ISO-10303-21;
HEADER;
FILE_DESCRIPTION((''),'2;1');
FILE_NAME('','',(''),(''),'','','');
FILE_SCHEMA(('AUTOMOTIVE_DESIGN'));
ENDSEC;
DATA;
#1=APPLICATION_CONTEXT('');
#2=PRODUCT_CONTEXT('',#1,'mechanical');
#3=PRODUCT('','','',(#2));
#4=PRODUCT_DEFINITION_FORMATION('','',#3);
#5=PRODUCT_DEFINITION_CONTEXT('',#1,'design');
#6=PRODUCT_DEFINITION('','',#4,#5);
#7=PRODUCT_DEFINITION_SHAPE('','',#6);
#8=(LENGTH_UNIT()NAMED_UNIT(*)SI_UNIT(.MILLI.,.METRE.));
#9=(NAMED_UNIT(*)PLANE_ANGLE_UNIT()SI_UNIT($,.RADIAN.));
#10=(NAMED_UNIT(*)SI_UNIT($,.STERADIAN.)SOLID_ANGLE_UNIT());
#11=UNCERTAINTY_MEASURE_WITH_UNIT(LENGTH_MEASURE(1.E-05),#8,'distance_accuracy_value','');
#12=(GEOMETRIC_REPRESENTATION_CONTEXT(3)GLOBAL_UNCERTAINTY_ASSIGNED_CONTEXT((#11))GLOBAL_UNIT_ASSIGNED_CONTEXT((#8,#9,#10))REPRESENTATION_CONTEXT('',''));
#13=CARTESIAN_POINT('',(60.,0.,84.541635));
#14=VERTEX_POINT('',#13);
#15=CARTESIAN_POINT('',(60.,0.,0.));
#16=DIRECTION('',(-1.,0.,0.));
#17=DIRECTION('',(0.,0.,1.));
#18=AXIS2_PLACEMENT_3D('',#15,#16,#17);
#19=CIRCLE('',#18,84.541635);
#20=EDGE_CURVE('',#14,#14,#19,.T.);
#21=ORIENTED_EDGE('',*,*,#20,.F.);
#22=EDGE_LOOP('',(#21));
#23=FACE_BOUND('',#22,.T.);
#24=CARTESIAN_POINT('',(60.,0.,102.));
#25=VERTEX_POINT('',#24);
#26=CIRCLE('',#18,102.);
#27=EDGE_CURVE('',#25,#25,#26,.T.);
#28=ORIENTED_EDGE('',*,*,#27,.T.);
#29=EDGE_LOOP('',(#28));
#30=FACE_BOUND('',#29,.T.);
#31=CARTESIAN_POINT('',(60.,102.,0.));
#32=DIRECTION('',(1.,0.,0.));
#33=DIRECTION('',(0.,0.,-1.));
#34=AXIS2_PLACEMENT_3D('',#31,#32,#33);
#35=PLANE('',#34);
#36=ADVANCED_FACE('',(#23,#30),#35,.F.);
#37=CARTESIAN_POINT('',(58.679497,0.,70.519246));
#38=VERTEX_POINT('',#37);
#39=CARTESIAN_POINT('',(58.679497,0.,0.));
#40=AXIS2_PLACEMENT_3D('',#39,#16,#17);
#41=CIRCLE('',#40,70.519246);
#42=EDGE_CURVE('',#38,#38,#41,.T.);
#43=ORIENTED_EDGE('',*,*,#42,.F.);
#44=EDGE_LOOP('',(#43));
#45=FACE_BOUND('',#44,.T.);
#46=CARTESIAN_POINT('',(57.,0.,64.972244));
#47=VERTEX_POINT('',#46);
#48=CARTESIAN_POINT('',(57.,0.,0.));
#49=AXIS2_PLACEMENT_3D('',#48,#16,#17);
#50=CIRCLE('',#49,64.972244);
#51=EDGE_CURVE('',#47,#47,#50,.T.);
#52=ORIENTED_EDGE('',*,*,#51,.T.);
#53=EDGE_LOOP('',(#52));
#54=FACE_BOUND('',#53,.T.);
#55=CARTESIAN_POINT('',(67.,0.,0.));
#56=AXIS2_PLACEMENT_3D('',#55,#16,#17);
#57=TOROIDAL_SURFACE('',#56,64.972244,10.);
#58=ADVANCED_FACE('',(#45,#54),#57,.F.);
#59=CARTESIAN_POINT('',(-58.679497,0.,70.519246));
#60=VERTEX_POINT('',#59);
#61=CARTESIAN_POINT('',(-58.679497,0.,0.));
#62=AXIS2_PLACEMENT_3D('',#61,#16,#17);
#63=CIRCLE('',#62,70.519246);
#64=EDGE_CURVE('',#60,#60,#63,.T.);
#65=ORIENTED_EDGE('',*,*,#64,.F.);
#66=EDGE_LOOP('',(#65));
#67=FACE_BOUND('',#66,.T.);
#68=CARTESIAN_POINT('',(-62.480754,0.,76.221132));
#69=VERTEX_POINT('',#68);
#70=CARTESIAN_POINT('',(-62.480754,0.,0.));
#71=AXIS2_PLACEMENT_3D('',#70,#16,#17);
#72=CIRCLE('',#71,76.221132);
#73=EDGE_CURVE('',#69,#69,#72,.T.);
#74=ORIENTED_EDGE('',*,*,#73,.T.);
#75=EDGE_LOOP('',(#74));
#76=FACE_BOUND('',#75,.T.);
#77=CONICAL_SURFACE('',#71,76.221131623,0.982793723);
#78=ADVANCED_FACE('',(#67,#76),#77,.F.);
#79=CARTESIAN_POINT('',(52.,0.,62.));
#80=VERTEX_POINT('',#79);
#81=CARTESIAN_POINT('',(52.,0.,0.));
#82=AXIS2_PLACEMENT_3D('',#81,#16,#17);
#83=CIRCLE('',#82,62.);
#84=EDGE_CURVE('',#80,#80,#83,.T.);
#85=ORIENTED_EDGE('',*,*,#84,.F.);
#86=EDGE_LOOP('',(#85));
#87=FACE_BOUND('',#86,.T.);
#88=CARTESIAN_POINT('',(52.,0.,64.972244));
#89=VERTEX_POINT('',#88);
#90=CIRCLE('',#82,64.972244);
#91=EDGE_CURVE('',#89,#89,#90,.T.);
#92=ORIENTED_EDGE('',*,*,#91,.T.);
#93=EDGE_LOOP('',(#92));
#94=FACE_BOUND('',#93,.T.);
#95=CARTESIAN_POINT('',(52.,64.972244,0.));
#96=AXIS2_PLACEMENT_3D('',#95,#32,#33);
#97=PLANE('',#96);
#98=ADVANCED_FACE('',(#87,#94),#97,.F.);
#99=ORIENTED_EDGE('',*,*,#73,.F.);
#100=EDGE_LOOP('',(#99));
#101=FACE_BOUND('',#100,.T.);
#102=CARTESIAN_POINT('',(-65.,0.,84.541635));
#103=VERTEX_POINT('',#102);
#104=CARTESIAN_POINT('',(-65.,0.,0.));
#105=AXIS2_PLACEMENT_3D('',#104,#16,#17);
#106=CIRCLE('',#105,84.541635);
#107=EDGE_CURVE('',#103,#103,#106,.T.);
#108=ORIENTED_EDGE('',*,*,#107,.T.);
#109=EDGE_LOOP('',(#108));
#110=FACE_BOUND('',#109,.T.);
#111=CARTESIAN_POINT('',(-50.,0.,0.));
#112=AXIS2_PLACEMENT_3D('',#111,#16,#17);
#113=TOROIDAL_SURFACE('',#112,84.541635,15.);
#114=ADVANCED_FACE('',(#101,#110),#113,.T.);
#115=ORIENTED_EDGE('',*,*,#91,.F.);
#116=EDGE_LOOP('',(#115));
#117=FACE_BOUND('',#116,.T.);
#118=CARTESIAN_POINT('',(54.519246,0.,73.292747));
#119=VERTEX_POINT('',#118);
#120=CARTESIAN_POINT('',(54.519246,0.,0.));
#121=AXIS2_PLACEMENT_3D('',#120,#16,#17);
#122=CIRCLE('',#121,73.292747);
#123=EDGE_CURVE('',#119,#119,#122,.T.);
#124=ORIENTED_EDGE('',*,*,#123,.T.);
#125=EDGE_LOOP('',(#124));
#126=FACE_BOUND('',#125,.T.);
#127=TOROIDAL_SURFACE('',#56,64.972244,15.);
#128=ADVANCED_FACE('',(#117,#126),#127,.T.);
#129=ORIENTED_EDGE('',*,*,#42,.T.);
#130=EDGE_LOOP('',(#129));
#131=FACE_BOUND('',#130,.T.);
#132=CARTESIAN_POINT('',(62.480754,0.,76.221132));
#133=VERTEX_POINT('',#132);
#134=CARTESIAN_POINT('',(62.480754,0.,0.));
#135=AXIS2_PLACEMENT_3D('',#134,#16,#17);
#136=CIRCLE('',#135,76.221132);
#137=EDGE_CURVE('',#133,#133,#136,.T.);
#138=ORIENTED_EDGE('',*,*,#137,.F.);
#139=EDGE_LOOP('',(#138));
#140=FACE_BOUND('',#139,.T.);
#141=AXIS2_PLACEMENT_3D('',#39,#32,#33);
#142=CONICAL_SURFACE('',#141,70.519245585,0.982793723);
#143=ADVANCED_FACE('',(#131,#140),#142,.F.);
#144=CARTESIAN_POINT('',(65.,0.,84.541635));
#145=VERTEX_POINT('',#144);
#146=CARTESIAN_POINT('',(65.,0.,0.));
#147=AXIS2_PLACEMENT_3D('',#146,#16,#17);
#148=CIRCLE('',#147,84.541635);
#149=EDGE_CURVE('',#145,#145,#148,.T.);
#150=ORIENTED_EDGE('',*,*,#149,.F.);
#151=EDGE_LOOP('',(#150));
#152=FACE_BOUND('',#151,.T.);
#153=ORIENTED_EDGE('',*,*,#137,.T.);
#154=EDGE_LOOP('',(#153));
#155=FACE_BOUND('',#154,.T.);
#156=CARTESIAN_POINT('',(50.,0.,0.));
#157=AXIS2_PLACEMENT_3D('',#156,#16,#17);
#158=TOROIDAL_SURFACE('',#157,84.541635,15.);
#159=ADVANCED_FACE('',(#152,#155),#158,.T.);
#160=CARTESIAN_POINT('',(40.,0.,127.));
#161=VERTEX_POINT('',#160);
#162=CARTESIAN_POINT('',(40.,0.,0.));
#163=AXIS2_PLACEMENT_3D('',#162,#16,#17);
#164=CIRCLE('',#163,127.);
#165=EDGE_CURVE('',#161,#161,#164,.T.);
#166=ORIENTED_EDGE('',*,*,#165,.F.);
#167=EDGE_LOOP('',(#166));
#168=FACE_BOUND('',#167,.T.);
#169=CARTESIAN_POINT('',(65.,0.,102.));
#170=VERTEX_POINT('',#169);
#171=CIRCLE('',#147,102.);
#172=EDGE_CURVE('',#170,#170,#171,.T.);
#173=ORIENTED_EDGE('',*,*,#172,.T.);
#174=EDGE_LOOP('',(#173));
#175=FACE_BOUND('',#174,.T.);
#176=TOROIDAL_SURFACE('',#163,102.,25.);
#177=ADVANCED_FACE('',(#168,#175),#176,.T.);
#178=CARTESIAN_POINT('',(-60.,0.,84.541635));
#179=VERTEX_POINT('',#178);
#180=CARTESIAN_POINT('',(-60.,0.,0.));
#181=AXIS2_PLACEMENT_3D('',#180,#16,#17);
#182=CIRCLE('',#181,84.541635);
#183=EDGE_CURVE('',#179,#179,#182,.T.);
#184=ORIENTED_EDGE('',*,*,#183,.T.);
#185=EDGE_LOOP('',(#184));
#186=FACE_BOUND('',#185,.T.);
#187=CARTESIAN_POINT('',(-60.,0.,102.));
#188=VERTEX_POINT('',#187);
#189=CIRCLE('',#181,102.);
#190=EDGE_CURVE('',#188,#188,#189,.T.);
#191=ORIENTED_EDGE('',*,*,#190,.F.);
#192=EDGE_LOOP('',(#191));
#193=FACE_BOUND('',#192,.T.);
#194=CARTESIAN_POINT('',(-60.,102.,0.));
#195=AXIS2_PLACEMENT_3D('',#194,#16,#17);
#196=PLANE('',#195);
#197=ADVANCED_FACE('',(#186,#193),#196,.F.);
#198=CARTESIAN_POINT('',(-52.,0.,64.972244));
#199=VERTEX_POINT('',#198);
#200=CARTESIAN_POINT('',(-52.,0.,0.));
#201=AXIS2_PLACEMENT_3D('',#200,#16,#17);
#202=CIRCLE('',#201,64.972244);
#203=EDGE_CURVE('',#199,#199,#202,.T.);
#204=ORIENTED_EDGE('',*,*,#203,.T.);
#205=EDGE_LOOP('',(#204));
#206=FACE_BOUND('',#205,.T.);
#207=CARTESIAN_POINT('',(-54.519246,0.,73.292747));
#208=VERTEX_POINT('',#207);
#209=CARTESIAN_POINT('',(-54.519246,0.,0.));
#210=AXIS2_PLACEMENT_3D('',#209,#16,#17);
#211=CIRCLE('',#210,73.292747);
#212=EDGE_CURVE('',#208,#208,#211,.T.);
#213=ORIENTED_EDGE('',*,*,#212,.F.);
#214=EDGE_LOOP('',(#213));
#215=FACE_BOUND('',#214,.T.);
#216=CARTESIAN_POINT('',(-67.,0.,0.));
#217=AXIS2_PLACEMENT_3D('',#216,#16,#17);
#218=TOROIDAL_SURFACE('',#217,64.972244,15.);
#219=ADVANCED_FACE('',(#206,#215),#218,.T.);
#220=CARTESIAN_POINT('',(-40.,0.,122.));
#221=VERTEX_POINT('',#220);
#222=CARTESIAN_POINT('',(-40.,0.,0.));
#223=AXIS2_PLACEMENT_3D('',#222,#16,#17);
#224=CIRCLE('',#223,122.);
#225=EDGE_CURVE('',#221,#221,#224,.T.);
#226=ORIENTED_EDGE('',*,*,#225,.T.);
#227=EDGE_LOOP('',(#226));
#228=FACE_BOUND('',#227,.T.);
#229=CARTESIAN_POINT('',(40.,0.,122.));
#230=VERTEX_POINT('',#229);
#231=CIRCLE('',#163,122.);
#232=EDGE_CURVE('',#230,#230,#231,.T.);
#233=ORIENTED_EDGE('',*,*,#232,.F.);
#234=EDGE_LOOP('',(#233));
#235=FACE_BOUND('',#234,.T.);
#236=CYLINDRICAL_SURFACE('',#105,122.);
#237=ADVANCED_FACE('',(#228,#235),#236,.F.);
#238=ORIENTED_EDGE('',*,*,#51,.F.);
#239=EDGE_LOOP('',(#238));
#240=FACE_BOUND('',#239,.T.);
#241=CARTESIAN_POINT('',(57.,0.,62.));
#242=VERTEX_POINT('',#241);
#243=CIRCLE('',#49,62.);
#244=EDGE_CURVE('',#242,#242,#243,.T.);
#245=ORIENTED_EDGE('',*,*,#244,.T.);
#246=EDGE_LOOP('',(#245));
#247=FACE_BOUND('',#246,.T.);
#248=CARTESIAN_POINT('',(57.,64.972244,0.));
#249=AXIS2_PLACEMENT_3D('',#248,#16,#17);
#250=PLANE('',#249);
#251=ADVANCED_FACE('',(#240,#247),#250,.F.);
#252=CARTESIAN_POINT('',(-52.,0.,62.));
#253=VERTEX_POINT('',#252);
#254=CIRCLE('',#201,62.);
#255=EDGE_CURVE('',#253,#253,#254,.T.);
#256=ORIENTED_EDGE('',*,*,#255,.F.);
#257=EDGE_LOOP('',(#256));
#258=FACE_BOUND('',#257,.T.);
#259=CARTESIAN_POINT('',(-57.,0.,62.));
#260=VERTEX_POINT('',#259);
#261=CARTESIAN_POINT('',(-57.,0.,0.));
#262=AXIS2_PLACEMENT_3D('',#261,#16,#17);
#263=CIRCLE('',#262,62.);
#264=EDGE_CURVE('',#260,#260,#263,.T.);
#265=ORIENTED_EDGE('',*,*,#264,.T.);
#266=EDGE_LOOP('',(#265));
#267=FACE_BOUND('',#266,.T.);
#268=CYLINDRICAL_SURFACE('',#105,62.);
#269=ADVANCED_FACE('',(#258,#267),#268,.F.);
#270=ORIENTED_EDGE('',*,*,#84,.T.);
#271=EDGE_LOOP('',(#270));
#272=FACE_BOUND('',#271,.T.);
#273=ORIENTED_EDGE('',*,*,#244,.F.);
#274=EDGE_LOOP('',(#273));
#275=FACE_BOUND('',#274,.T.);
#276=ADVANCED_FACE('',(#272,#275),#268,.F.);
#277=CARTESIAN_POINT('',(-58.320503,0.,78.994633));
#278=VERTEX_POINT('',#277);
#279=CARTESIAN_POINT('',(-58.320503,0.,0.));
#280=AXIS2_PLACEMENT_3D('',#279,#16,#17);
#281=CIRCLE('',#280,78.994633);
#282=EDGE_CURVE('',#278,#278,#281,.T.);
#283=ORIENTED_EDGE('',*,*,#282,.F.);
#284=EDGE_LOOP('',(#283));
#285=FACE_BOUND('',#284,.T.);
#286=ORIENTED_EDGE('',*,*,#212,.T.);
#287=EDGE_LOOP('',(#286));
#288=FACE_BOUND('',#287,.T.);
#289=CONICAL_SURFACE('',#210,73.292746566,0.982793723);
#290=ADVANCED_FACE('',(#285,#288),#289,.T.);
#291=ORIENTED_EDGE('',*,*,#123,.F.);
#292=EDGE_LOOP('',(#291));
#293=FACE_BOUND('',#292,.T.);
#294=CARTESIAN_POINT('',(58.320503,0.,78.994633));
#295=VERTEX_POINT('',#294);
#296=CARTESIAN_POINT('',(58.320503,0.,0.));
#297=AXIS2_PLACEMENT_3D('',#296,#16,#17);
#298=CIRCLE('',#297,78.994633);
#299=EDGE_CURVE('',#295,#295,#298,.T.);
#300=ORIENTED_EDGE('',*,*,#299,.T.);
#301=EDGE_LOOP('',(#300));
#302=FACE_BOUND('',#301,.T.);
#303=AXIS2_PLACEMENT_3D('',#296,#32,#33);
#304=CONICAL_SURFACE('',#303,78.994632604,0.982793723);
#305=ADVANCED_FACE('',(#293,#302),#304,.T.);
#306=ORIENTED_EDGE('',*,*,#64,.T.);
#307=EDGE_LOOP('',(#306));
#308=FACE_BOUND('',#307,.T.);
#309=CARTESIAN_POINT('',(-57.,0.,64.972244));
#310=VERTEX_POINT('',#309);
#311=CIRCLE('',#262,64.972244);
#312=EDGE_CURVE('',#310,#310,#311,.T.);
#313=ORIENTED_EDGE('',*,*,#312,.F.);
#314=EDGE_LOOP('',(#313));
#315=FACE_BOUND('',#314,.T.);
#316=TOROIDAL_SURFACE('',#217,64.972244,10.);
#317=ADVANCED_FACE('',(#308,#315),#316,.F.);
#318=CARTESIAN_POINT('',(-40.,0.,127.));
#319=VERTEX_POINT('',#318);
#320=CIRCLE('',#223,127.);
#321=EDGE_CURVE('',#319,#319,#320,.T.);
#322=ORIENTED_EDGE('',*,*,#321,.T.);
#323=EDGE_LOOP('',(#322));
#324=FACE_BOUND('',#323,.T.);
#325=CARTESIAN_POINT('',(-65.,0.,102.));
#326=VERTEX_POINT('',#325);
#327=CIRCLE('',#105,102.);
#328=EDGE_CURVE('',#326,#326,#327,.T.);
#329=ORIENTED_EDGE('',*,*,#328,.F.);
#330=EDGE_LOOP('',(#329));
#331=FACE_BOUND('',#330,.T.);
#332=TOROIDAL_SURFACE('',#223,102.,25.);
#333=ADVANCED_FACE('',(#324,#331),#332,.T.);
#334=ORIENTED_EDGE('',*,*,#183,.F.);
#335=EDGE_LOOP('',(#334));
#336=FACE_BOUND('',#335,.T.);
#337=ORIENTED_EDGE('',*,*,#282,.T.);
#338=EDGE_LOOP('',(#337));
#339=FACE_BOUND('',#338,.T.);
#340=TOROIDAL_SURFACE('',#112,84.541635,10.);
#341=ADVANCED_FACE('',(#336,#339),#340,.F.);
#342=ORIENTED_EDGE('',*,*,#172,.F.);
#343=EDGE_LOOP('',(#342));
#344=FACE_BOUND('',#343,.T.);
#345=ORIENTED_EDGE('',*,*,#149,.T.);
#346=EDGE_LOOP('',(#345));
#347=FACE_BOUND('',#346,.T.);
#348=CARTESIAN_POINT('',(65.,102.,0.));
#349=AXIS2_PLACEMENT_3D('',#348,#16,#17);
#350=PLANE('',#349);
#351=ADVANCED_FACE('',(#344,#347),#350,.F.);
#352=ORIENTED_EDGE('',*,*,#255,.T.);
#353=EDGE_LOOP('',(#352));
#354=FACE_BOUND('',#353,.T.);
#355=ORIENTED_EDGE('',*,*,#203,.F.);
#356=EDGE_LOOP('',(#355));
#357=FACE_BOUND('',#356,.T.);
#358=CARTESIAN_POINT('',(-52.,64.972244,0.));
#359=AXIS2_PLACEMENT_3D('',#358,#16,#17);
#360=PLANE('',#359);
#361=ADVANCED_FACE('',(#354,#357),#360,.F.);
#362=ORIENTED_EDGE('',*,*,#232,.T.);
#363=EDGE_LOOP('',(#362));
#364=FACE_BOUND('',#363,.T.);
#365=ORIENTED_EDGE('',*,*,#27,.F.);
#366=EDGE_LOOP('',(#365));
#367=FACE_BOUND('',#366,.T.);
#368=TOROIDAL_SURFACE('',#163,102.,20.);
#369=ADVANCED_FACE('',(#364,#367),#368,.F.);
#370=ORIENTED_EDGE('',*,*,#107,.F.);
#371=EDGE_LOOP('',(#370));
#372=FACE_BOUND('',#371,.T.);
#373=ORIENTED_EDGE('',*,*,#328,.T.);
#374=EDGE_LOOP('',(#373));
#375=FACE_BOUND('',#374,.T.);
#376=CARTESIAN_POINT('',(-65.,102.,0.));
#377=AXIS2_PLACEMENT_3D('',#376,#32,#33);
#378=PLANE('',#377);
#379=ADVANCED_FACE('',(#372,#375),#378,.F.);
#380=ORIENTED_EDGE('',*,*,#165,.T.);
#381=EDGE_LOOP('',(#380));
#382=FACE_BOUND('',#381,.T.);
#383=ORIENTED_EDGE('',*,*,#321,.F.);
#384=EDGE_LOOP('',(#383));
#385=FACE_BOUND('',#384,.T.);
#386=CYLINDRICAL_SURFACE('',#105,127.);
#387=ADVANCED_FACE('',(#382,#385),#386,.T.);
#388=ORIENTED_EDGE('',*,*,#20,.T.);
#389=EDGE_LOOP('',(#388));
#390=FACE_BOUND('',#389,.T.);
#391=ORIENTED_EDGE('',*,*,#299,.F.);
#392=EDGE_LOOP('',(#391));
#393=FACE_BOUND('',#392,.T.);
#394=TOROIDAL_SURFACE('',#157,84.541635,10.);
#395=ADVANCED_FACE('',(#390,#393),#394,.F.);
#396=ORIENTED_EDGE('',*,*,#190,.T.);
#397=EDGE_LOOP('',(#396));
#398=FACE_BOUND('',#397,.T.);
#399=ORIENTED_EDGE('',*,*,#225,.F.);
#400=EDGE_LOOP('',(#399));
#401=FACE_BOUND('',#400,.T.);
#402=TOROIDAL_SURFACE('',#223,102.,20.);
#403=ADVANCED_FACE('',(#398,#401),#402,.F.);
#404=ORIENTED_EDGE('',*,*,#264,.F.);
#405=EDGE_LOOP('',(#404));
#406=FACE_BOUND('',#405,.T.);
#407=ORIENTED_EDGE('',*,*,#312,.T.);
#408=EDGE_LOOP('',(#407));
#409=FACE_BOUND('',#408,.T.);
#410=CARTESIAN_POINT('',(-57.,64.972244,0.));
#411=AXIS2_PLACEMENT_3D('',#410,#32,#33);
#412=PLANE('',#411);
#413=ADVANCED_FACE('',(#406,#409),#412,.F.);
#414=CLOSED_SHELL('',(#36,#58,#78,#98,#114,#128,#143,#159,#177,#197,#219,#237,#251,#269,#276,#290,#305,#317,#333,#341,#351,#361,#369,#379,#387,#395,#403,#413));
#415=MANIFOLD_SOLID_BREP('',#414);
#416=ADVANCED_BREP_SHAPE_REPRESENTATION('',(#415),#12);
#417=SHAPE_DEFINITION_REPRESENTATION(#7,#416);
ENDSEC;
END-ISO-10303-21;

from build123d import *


with BuildPart() as part:
    # Sketch2 → Revolve1 (revolve)
    with BuildSketch(Plane.XY, mode=Mode.PRIVATE) as revolve1_sk:
        with BuildLine():
            Line((0, 127), (-40, 127))
            ThreePointArc((-40, 127), (-57.67766953, 119.67766953), (-65, 102))
            Line((-65, 102), (-65, 84.541634566))
            ThreePointArc((-65, 84.541634566), (-64.356380397, 80.194872336), (-62.480754415, 76.221131623))
            Line((-62.480754415, 76.221131623), (-58.679497057, 70.519245585))
            ThreePointArc((-58.679497057, 70.519245585), (-57.429079735, 67.87008511), (-57, 64.972243623))
            Line((-57, 64.972243623), (-57, 62))
            Line((-57, 62), (-52, 62))
            Line((-52, 62), (-52, 64.972243623))
            ThreePointArc((-52, 64.972243623), (-52.643619603, 69.319005853), (-54.519245585, 73.292746566))
            Line((-54.519245585, 73.292746566), (-58.320502943, 78.994632604))
            ThreePointArc((-58.320502943, 78.994632604), (-59.570920265, 81.643793079), (-60, 84.541634566))
            Line((-60, 84.541634566), (-60, 102))
            ThreePointArc((-60, 102), (-54.142135624, 116.142135624), (-40, 122))
            Line((-40, 122), (0, 122))
            Line((0, 122), (40, 122))
            ThreePointArc((40, 122), (54.142135624, 116.142135624), (60, 102))
            Line((60, 102), (60, 84.541634566))
            ThreePointArc((60, 84.541634566), (59.570920265, 81.643793079), (58.320502943, 78.994632604))
            Line((58.320502943, 78.994632604), (54.519245585, 73.292746566))
            ThreePointArc((54.519245585, 73.292746566), (52.643619603, 69.319005853), (52, 64.972243623))
            Line((52, 64.972243623), (52, 62))
            Line((52, 62), (57, 62))
            Line((57, 62), (57, 64.972243623))
            ThreePointArc((57, 64.972243623), (57.429079735, 67.87008511), (58.679497057, 70.519245585))
            Line((58.679497057, 70.519245585), (62.480754415, 76.221131623))
            ThreePointArc((62.480754415, 76.221131623), (64.356380397, 80.194872336), (65, 84.541634566))
            Line((65, 84.541634566), (65, 102))
            ThreePointArc((65, 102), (57.67766953, 119.67766953), (40, 127))
            Line((40, 127), (0, 127))
        make_face()
    revolve(revolve1_sk.sketch.rotate(Axis((-65, 0, 0), (1, 0, 0)), 90), axis=Axis((-65, 0, 0), (1, 0, 0)))


solid = part.part
